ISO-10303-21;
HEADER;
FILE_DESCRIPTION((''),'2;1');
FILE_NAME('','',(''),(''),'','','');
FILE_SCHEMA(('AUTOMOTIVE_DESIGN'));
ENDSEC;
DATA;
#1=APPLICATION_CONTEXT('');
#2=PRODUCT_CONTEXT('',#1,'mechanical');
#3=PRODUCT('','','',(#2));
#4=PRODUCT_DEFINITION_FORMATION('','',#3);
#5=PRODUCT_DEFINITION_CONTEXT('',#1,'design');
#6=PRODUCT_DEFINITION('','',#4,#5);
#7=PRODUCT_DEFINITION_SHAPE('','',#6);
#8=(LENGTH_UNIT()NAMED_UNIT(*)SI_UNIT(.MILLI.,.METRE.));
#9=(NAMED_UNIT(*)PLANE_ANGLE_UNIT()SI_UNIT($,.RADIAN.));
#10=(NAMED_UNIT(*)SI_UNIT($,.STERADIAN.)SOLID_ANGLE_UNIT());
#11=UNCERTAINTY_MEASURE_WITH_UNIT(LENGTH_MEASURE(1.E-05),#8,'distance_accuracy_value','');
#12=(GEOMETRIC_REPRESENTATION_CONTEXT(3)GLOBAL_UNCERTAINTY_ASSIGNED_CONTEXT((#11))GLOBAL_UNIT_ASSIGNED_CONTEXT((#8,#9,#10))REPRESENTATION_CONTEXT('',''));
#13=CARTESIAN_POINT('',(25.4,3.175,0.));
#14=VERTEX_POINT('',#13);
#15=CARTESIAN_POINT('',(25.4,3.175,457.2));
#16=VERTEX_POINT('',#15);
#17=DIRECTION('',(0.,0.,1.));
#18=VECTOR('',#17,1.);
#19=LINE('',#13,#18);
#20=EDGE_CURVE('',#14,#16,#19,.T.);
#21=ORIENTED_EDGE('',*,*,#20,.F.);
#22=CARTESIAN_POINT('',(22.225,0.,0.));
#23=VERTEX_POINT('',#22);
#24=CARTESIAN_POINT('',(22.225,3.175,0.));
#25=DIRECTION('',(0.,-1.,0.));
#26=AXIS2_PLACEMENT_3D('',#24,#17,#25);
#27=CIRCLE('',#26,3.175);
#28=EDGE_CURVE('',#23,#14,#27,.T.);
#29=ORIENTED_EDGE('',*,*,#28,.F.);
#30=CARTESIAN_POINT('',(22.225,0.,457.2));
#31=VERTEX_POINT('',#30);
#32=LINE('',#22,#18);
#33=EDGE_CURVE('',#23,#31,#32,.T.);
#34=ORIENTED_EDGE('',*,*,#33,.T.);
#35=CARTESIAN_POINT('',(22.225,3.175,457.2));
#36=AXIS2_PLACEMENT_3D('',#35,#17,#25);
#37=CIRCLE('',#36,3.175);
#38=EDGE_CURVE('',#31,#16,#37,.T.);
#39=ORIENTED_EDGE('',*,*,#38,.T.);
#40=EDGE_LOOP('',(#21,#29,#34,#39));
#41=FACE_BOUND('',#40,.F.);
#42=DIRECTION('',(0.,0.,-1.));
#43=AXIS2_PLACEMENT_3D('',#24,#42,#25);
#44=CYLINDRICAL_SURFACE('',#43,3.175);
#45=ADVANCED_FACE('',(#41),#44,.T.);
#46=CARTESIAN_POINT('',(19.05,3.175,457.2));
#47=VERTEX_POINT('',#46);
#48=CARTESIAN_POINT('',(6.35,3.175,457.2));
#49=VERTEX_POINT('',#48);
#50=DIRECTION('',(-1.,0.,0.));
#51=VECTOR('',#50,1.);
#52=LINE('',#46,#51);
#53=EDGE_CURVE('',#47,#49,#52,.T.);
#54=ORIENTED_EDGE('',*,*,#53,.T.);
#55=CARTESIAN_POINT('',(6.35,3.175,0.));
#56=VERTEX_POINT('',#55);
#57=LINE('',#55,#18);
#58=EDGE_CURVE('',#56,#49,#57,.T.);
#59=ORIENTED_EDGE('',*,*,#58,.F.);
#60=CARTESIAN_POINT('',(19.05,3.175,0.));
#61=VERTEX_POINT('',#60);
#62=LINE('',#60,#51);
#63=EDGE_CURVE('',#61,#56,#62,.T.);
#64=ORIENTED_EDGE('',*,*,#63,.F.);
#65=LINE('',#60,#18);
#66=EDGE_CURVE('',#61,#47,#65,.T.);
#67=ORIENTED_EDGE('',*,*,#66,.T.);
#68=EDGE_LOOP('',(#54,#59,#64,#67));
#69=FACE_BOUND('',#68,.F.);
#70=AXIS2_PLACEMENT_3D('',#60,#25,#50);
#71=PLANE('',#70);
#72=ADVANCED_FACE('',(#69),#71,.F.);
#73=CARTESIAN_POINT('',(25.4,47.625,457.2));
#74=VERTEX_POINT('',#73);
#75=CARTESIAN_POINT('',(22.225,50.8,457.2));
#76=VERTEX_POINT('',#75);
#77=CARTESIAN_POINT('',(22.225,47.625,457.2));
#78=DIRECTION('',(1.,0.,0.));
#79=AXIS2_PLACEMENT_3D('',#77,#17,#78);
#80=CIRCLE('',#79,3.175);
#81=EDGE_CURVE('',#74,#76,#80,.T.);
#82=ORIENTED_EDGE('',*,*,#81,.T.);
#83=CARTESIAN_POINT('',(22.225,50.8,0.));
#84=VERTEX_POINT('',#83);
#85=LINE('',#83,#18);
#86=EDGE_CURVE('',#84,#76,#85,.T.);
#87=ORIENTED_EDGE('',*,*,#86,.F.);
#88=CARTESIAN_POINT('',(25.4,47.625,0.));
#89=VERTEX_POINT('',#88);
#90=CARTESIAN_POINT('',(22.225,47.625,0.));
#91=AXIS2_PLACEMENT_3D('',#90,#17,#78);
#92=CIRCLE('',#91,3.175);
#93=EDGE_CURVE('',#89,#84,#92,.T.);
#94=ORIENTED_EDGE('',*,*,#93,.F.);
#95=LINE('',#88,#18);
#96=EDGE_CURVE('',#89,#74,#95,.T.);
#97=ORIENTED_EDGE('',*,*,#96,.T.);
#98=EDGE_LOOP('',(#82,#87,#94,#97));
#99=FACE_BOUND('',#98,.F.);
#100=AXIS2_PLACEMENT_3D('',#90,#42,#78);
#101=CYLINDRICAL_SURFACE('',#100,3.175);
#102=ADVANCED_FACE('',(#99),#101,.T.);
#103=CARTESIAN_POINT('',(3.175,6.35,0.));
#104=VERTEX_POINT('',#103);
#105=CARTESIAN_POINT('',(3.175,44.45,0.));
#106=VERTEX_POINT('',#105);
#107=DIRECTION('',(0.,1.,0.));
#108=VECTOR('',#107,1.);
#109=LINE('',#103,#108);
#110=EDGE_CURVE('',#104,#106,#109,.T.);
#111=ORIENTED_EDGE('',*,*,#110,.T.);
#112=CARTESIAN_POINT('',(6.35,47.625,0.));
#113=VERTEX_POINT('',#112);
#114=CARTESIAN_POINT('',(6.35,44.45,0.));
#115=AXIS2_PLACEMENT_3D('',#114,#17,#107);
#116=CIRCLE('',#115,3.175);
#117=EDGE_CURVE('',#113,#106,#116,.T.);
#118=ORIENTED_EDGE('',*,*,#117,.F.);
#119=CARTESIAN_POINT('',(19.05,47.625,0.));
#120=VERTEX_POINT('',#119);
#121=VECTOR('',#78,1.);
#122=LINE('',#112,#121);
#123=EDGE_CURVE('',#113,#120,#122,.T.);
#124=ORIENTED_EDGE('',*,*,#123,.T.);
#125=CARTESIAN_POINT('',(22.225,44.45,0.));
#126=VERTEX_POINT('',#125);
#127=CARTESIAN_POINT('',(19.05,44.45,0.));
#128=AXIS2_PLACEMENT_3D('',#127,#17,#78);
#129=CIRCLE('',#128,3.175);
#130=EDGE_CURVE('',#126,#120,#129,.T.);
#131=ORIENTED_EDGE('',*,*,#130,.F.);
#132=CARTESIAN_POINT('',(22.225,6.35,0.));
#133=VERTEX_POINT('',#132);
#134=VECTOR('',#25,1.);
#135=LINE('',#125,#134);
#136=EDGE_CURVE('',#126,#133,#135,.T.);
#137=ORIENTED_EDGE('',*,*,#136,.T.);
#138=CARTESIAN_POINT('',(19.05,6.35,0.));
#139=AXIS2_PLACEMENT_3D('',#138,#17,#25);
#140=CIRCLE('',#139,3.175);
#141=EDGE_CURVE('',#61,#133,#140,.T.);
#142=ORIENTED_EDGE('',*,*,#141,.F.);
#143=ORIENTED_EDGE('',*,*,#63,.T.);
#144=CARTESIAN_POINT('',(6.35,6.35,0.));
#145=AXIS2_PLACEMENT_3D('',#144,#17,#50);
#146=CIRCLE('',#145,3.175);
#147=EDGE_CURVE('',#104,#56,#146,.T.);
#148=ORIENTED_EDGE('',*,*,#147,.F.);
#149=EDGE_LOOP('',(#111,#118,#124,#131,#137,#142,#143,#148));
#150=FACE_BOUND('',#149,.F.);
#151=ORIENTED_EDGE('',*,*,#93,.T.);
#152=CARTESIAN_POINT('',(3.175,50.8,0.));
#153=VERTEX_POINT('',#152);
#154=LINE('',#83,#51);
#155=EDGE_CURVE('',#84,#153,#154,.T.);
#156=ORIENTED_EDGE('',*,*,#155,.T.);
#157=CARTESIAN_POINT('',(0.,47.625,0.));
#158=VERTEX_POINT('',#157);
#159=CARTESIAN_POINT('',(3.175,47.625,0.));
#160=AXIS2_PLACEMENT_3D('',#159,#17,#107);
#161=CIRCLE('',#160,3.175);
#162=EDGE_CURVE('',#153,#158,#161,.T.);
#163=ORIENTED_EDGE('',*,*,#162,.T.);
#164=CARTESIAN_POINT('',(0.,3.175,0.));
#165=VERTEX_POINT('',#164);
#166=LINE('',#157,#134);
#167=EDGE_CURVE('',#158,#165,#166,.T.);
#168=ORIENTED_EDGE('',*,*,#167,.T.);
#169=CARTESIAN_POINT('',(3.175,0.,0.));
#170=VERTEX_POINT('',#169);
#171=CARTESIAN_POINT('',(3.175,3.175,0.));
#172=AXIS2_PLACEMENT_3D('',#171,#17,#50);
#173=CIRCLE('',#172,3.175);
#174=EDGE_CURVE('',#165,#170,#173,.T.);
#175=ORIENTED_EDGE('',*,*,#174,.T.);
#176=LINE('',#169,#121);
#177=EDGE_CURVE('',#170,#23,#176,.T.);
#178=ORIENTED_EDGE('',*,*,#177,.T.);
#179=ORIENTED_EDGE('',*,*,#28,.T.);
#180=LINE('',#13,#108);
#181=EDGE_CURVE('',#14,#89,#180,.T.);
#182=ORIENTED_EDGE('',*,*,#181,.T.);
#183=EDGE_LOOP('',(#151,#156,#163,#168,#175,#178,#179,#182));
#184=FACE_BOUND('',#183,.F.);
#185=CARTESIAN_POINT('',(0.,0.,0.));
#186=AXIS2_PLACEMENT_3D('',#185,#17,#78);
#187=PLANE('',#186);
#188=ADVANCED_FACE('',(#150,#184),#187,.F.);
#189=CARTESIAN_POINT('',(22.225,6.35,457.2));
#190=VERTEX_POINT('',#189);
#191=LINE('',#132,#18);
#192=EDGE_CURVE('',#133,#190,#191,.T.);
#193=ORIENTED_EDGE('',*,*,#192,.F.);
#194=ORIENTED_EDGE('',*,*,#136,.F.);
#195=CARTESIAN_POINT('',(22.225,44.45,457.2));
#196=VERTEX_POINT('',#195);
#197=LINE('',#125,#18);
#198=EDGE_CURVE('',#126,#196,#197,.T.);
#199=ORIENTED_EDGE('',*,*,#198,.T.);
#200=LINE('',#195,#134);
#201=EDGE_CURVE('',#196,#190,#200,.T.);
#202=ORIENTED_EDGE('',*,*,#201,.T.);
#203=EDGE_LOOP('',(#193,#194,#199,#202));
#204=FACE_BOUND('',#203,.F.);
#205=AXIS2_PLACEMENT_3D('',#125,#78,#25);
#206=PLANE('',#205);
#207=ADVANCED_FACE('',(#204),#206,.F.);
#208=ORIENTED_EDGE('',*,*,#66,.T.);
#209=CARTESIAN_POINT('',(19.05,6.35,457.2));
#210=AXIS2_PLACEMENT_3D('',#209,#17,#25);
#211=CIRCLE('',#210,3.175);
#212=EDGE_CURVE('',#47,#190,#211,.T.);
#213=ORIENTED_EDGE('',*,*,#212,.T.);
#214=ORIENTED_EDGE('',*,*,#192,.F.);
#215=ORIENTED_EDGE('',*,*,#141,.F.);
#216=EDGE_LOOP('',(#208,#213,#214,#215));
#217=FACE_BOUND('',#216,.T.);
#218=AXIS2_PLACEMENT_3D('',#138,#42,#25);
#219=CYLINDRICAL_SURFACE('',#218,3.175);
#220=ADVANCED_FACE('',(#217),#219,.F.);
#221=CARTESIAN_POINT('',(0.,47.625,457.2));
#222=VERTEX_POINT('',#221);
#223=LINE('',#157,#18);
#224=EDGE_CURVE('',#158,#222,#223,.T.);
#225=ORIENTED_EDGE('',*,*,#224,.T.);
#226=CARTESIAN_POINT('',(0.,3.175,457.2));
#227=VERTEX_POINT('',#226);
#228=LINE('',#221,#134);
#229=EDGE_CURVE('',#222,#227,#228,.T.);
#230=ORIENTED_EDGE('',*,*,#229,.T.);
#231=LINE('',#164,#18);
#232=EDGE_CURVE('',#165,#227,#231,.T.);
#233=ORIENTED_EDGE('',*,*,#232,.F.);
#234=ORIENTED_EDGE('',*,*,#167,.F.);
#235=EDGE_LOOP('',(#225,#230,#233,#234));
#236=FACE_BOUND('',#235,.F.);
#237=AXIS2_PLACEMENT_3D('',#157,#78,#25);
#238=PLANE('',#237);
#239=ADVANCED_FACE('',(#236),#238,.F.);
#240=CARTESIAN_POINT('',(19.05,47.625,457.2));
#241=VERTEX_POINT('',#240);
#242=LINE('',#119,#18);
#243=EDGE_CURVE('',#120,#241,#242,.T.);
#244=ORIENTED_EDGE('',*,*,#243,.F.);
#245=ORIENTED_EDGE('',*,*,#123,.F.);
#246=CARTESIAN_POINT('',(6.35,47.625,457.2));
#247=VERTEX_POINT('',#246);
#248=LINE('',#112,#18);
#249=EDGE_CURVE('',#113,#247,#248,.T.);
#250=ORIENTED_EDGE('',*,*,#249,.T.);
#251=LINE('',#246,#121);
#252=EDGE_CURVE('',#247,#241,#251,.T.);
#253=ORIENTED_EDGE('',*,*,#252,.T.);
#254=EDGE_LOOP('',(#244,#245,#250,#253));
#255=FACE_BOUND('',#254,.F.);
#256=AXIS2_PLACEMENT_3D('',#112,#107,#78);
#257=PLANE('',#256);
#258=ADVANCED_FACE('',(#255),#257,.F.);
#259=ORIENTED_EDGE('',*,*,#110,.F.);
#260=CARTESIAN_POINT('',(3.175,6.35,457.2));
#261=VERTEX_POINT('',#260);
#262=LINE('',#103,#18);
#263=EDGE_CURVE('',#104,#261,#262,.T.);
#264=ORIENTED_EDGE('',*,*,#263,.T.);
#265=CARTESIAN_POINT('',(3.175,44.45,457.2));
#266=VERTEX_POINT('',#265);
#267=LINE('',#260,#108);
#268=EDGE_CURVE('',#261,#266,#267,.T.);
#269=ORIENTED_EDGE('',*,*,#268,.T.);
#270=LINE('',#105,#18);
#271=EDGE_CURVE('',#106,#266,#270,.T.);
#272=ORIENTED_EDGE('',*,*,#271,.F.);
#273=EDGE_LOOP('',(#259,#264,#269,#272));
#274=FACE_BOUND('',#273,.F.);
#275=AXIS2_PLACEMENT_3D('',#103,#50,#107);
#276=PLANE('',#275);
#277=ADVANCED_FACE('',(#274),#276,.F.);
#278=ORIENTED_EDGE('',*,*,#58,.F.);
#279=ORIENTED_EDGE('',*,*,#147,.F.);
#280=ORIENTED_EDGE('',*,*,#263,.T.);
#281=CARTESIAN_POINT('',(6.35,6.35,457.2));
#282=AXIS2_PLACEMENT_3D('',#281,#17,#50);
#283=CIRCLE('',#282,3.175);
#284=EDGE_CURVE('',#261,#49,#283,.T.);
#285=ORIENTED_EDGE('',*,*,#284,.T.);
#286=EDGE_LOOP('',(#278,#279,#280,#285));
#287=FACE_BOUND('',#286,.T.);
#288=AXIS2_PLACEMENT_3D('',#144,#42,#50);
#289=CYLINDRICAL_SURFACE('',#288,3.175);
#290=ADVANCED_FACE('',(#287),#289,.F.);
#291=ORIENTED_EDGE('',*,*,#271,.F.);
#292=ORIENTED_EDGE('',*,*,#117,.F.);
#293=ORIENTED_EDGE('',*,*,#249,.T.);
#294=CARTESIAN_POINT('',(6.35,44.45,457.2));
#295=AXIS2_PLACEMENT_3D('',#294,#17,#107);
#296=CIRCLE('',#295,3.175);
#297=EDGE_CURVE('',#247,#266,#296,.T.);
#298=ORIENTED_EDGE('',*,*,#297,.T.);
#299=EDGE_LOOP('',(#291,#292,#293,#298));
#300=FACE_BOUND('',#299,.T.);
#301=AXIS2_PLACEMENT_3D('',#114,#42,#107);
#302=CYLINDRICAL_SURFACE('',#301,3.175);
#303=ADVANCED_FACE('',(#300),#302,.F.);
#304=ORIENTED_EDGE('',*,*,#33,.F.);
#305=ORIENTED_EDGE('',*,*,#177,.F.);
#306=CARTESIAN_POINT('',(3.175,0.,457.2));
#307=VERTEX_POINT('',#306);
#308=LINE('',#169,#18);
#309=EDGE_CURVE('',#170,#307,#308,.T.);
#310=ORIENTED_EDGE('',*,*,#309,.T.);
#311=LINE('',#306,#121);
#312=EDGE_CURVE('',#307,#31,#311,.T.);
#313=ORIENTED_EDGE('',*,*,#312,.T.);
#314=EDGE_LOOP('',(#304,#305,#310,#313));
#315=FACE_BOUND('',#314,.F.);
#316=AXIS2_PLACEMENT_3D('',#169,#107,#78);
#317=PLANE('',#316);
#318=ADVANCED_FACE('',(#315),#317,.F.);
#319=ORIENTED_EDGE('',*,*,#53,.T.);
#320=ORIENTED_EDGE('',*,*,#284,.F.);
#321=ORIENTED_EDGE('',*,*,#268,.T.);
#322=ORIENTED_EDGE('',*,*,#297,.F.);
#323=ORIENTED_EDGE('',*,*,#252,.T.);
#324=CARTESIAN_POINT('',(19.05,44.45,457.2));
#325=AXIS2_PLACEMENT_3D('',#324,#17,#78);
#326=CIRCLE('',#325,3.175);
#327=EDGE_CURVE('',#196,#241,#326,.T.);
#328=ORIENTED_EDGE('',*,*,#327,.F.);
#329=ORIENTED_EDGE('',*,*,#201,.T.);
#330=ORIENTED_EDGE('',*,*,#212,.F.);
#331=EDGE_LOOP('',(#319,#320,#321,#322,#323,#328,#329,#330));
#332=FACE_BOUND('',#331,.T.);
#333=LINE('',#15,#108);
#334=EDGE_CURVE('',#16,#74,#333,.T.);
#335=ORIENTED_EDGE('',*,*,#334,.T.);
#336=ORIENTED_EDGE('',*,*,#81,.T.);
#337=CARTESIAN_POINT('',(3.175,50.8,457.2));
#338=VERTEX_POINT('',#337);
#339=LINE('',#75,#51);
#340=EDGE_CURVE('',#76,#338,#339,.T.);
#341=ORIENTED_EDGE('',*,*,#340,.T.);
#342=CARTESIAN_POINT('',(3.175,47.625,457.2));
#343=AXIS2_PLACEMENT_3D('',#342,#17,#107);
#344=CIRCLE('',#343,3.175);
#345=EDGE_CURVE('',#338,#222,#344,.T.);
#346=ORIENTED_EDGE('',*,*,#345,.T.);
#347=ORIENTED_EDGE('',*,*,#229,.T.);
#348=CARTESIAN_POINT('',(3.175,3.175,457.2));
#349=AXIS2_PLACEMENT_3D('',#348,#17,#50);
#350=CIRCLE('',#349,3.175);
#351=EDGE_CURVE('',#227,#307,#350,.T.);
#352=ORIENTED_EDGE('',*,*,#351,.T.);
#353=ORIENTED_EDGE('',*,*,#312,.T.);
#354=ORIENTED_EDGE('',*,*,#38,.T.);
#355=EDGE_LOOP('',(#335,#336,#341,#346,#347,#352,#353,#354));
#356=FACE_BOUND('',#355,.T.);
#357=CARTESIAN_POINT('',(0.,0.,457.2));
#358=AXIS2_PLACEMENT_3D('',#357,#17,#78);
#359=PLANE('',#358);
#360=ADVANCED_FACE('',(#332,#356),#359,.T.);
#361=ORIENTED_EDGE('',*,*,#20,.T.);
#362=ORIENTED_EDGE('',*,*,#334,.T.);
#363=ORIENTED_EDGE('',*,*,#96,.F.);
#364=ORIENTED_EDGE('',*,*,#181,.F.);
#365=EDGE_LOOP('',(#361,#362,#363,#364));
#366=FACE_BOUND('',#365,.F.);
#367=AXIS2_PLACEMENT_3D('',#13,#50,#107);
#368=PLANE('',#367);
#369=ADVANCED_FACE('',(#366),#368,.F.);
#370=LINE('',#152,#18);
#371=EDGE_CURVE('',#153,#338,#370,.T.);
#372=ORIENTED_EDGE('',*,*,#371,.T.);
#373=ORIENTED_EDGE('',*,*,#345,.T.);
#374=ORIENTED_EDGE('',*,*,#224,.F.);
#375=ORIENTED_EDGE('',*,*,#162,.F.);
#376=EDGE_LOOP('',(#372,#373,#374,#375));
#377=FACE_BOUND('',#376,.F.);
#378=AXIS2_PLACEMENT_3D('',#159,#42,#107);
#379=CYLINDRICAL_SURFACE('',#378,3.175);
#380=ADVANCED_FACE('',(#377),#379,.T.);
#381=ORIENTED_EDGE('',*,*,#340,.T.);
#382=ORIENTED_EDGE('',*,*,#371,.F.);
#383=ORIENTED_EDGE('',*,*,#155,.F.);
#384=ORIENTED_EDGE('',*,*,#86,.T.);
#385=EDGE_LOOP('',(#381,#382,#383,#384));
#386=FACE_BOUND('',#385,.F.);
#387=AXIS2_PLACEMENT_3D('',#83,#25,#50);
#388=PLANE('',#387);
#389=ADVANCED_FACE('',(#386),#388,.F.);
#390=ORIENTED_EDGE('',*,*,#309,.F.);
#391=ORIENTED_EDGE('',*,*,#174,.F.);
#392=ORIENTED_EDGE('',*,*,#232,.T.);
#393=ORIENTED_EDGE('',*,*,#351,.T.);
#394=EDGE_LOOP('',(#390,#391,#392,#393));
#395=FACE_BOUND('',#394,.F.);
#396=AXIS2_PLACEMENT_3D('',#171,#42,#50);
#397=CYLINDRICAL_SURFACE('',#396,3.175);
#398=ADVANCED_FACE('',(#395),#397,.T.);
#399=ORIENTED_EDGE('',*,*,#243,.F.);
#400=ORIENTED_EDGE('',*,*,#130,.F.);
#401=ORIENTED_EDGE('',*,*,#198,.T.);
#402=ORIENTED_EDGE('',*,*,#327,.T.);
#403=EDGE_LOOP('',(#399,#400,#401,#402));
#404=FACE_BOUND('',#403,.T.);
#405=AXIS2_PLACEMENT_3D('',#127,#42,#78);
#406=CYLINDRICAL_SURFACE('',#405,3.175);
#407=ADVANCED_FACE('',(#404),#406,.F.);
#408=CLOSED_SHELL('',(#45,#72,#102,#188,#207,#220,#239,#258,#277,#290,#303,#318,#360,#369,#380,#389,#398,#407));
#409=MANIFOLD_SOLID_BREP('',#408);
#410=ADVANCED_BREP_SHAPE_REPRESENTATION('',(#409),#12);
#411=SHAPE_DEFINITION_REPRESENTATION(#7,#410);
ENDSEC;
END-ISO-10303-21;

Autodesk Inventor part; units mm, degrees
ref_plane "YZ Plane" through (0, 0, 0) normal (1, 0, 0) x (0, 1, 0)
ref_plane "XZ Plane" through (0, 0, 0) normal (0, 1, 0) x (-1, 0, 0)
ref_plane "XY Plane" through (0, 0, 0) normal (0, 0, 1) x (1, 0, 0)
sketch "Sketch1" plane through (0, 0, 0) normal (0, 0, 1) x (1, 0, 0)
  line L0 (3.175, 0) -> (22.225, 0)
  line L1 (25.4, 3.175) -> (25.4, 47.625)
  line L2 (22.225, 50.8) -> (3.175, 50.8)
  line L3 (0, 47.625) -> (0, 3.175)
  arc A0 (3.175, 50.8) -> (0, 47.625) centre (3.175, 47.625) ccw
  arc A1 (25.4, 47.625) -> (22.225, 50.8) centre (22.225, 47.625) ccw
  arc A2 (22.225, 0) -> (25.4, 3.175) centre (22.225, 3.175) ccw
  arc A3 (0, 3.175) -> (3.175, 0) centre (3.175, 3.175) ccw
  line L4 (6.35, 47.625) -> (19.05, 47.625)
  line L5 (22.225, 44.45) -> (22.225, 6.35)
  line L6 (19.05, 3.175) -> (6.35, 3.175)
  line L7 (3.175, 6.35) -> (3.175, 44.45)
  arc A4 (6.35, 47.625) -> (3.175, 44.45) centre (6.35, 44.45) ccw
  arc A5 (22.225, 44.45) -> (19.05, 47.625) centre (19.05, 44.45) ccw
  arc A6 (3.175, 6.35) -> (6.35, 3.175) centre (6.35, 6.35) ccw
  arc A7 (19.05, 3.175) -> (22.225, 6.35) centre (19.05, 6.35) ccw
  point P0 (0, 0)
  point P1 (25.4, 0)
  point P2 (0, 50.8)
  dimension "d0" = 50.8
  dimension "d1" = 25.4
  dimension "d2" = 3.175
  dimension "d3" = 3.175
  dimension "d4" = 3.175
  dimension "d5" = 3.175
  dimension "d6" = 3.175
  dimension "d7" = 3.175
  dimension "d8" = 3.175
  dimension "d9" = 3.175
  dimension "d10" = 3.175
extrude "Extrusion1" add sketch "Sketch1" along normal blind 457.2
properties part number "O channel 18 inch"
